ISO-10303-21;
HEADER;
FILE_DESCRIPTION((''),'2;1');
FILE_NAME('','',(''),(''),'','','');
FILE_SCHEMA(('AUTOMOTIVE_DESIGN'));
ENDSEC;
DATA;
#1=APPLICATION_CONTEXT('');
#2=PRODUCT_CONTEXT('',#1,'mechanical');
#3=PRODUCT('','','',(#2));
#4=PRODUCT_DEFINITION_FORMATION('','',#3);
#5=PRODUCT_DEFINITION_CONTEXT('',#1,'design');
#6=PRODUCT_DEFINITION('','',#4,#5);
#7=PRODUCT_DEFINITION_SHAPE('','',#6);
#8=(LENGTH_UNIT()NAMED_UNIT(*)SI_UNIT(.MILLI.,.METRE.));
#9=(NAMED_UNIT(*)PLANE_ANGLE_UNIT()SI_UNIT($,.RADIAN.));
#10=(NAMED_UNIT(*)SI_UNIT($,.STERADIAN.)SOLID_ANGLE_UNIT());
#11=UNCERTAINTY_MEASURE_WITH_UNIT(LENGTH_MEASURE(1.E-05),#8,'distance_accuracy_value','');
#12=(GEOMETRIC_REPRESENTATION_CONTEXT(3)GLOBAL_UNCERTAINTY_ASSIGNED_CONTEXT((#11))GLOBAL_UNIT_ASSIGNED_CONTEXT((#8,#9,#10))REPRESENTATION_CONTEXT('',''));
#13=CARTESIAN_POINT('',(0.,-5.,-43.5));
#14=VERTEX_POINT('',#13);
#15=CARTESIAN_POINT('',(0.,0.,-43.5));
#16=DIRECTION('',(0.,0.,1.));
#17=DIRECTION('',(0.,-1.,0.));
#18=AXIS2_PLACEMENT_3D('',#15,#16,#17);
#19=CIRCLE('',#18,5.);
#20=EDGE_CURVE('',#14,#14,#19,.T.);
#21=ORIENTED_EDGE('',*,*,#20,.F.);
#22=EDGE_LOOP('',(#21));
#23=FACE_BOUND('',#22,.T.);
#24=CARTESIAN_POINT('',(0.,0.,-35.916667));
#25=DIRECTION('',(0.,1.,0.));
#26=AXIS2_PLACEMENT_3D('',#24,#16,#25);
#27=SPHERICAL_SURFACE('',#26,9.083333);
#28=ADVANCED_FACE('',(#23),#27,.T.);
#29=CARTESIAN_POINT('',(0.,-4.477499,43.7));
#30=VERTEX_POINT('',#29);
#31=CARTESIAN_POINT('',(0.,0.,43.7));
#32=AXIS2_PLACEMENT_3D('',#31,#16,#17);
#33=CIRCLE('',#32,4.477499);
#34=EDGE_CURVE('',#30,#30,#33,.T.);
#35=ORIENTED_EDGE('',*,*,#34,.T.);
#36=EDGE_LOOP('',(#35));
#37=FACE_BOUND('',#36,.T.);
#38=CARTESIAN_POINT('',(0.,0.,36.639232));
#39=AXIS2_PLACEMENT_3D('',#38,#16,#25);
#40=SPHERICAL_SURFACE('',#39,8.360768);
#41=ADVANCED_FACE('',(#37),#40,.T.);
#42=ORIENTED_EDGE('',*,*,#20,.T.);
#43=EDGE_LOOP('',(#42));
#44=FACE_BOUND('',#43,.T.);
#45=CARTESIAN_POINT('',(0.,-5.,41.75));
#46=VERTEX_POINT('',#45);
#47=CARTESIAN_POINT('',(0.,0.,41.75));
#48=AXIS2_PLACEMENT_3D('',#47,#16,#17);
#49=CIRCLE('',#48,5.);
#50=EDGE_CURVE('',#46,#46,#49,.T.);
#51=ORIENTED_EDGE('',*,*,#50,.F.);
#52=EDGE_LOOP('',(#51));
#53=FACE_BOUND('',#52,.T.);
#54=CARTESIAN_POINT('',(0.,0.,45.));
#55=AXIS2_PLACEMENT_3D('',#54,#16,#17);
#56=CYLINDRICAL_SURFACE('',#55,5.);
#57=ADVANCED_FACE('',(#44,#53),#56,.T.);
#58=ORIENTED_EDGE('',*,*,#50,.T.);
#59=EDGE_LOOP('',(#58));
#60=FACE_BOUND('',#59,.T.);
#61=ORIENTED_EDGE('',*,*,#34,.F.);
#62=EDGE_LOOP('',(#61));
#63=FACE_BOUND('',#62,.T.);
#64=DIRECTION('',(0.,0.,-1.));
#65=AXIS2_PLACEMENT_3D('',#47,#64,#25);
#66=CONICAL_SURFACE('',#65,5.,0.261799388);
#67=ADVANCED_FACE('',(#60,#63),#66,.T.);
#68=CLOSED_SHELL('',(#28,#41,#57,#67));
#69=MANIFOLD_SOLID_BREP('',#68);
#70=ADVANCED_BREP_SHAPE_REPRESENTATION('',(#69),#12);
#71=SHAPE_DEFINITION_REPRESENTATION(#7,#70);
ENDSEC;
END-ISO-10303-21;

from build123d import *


with BuildPart() as part:
    # Sketch3 → Revolve1 (revolve)
    with BuildSketch(Plane(origin=(0, 0, 0), x_dir=(0, 0, -1), z_dir=(1, 0, 0))):
        with BuildLine():
            Line((-45, 0), (45, 0))
            ThreePointArc((45, 0), (44.616922091, 2.610076627), (43.5, 5))
            Line((43.5, 5), (-41.75, 5))
            Line((-41.75, 5), (-43.7, 4.477499075))
            ThreePointArc((-43.7, 4.477499075), (-44.668425132, 2.331201298), (-45, 0))
        make_face()
    revolve(axis=Axis((0, 0, 45), (0, 0, -1)))


solid = part.part
